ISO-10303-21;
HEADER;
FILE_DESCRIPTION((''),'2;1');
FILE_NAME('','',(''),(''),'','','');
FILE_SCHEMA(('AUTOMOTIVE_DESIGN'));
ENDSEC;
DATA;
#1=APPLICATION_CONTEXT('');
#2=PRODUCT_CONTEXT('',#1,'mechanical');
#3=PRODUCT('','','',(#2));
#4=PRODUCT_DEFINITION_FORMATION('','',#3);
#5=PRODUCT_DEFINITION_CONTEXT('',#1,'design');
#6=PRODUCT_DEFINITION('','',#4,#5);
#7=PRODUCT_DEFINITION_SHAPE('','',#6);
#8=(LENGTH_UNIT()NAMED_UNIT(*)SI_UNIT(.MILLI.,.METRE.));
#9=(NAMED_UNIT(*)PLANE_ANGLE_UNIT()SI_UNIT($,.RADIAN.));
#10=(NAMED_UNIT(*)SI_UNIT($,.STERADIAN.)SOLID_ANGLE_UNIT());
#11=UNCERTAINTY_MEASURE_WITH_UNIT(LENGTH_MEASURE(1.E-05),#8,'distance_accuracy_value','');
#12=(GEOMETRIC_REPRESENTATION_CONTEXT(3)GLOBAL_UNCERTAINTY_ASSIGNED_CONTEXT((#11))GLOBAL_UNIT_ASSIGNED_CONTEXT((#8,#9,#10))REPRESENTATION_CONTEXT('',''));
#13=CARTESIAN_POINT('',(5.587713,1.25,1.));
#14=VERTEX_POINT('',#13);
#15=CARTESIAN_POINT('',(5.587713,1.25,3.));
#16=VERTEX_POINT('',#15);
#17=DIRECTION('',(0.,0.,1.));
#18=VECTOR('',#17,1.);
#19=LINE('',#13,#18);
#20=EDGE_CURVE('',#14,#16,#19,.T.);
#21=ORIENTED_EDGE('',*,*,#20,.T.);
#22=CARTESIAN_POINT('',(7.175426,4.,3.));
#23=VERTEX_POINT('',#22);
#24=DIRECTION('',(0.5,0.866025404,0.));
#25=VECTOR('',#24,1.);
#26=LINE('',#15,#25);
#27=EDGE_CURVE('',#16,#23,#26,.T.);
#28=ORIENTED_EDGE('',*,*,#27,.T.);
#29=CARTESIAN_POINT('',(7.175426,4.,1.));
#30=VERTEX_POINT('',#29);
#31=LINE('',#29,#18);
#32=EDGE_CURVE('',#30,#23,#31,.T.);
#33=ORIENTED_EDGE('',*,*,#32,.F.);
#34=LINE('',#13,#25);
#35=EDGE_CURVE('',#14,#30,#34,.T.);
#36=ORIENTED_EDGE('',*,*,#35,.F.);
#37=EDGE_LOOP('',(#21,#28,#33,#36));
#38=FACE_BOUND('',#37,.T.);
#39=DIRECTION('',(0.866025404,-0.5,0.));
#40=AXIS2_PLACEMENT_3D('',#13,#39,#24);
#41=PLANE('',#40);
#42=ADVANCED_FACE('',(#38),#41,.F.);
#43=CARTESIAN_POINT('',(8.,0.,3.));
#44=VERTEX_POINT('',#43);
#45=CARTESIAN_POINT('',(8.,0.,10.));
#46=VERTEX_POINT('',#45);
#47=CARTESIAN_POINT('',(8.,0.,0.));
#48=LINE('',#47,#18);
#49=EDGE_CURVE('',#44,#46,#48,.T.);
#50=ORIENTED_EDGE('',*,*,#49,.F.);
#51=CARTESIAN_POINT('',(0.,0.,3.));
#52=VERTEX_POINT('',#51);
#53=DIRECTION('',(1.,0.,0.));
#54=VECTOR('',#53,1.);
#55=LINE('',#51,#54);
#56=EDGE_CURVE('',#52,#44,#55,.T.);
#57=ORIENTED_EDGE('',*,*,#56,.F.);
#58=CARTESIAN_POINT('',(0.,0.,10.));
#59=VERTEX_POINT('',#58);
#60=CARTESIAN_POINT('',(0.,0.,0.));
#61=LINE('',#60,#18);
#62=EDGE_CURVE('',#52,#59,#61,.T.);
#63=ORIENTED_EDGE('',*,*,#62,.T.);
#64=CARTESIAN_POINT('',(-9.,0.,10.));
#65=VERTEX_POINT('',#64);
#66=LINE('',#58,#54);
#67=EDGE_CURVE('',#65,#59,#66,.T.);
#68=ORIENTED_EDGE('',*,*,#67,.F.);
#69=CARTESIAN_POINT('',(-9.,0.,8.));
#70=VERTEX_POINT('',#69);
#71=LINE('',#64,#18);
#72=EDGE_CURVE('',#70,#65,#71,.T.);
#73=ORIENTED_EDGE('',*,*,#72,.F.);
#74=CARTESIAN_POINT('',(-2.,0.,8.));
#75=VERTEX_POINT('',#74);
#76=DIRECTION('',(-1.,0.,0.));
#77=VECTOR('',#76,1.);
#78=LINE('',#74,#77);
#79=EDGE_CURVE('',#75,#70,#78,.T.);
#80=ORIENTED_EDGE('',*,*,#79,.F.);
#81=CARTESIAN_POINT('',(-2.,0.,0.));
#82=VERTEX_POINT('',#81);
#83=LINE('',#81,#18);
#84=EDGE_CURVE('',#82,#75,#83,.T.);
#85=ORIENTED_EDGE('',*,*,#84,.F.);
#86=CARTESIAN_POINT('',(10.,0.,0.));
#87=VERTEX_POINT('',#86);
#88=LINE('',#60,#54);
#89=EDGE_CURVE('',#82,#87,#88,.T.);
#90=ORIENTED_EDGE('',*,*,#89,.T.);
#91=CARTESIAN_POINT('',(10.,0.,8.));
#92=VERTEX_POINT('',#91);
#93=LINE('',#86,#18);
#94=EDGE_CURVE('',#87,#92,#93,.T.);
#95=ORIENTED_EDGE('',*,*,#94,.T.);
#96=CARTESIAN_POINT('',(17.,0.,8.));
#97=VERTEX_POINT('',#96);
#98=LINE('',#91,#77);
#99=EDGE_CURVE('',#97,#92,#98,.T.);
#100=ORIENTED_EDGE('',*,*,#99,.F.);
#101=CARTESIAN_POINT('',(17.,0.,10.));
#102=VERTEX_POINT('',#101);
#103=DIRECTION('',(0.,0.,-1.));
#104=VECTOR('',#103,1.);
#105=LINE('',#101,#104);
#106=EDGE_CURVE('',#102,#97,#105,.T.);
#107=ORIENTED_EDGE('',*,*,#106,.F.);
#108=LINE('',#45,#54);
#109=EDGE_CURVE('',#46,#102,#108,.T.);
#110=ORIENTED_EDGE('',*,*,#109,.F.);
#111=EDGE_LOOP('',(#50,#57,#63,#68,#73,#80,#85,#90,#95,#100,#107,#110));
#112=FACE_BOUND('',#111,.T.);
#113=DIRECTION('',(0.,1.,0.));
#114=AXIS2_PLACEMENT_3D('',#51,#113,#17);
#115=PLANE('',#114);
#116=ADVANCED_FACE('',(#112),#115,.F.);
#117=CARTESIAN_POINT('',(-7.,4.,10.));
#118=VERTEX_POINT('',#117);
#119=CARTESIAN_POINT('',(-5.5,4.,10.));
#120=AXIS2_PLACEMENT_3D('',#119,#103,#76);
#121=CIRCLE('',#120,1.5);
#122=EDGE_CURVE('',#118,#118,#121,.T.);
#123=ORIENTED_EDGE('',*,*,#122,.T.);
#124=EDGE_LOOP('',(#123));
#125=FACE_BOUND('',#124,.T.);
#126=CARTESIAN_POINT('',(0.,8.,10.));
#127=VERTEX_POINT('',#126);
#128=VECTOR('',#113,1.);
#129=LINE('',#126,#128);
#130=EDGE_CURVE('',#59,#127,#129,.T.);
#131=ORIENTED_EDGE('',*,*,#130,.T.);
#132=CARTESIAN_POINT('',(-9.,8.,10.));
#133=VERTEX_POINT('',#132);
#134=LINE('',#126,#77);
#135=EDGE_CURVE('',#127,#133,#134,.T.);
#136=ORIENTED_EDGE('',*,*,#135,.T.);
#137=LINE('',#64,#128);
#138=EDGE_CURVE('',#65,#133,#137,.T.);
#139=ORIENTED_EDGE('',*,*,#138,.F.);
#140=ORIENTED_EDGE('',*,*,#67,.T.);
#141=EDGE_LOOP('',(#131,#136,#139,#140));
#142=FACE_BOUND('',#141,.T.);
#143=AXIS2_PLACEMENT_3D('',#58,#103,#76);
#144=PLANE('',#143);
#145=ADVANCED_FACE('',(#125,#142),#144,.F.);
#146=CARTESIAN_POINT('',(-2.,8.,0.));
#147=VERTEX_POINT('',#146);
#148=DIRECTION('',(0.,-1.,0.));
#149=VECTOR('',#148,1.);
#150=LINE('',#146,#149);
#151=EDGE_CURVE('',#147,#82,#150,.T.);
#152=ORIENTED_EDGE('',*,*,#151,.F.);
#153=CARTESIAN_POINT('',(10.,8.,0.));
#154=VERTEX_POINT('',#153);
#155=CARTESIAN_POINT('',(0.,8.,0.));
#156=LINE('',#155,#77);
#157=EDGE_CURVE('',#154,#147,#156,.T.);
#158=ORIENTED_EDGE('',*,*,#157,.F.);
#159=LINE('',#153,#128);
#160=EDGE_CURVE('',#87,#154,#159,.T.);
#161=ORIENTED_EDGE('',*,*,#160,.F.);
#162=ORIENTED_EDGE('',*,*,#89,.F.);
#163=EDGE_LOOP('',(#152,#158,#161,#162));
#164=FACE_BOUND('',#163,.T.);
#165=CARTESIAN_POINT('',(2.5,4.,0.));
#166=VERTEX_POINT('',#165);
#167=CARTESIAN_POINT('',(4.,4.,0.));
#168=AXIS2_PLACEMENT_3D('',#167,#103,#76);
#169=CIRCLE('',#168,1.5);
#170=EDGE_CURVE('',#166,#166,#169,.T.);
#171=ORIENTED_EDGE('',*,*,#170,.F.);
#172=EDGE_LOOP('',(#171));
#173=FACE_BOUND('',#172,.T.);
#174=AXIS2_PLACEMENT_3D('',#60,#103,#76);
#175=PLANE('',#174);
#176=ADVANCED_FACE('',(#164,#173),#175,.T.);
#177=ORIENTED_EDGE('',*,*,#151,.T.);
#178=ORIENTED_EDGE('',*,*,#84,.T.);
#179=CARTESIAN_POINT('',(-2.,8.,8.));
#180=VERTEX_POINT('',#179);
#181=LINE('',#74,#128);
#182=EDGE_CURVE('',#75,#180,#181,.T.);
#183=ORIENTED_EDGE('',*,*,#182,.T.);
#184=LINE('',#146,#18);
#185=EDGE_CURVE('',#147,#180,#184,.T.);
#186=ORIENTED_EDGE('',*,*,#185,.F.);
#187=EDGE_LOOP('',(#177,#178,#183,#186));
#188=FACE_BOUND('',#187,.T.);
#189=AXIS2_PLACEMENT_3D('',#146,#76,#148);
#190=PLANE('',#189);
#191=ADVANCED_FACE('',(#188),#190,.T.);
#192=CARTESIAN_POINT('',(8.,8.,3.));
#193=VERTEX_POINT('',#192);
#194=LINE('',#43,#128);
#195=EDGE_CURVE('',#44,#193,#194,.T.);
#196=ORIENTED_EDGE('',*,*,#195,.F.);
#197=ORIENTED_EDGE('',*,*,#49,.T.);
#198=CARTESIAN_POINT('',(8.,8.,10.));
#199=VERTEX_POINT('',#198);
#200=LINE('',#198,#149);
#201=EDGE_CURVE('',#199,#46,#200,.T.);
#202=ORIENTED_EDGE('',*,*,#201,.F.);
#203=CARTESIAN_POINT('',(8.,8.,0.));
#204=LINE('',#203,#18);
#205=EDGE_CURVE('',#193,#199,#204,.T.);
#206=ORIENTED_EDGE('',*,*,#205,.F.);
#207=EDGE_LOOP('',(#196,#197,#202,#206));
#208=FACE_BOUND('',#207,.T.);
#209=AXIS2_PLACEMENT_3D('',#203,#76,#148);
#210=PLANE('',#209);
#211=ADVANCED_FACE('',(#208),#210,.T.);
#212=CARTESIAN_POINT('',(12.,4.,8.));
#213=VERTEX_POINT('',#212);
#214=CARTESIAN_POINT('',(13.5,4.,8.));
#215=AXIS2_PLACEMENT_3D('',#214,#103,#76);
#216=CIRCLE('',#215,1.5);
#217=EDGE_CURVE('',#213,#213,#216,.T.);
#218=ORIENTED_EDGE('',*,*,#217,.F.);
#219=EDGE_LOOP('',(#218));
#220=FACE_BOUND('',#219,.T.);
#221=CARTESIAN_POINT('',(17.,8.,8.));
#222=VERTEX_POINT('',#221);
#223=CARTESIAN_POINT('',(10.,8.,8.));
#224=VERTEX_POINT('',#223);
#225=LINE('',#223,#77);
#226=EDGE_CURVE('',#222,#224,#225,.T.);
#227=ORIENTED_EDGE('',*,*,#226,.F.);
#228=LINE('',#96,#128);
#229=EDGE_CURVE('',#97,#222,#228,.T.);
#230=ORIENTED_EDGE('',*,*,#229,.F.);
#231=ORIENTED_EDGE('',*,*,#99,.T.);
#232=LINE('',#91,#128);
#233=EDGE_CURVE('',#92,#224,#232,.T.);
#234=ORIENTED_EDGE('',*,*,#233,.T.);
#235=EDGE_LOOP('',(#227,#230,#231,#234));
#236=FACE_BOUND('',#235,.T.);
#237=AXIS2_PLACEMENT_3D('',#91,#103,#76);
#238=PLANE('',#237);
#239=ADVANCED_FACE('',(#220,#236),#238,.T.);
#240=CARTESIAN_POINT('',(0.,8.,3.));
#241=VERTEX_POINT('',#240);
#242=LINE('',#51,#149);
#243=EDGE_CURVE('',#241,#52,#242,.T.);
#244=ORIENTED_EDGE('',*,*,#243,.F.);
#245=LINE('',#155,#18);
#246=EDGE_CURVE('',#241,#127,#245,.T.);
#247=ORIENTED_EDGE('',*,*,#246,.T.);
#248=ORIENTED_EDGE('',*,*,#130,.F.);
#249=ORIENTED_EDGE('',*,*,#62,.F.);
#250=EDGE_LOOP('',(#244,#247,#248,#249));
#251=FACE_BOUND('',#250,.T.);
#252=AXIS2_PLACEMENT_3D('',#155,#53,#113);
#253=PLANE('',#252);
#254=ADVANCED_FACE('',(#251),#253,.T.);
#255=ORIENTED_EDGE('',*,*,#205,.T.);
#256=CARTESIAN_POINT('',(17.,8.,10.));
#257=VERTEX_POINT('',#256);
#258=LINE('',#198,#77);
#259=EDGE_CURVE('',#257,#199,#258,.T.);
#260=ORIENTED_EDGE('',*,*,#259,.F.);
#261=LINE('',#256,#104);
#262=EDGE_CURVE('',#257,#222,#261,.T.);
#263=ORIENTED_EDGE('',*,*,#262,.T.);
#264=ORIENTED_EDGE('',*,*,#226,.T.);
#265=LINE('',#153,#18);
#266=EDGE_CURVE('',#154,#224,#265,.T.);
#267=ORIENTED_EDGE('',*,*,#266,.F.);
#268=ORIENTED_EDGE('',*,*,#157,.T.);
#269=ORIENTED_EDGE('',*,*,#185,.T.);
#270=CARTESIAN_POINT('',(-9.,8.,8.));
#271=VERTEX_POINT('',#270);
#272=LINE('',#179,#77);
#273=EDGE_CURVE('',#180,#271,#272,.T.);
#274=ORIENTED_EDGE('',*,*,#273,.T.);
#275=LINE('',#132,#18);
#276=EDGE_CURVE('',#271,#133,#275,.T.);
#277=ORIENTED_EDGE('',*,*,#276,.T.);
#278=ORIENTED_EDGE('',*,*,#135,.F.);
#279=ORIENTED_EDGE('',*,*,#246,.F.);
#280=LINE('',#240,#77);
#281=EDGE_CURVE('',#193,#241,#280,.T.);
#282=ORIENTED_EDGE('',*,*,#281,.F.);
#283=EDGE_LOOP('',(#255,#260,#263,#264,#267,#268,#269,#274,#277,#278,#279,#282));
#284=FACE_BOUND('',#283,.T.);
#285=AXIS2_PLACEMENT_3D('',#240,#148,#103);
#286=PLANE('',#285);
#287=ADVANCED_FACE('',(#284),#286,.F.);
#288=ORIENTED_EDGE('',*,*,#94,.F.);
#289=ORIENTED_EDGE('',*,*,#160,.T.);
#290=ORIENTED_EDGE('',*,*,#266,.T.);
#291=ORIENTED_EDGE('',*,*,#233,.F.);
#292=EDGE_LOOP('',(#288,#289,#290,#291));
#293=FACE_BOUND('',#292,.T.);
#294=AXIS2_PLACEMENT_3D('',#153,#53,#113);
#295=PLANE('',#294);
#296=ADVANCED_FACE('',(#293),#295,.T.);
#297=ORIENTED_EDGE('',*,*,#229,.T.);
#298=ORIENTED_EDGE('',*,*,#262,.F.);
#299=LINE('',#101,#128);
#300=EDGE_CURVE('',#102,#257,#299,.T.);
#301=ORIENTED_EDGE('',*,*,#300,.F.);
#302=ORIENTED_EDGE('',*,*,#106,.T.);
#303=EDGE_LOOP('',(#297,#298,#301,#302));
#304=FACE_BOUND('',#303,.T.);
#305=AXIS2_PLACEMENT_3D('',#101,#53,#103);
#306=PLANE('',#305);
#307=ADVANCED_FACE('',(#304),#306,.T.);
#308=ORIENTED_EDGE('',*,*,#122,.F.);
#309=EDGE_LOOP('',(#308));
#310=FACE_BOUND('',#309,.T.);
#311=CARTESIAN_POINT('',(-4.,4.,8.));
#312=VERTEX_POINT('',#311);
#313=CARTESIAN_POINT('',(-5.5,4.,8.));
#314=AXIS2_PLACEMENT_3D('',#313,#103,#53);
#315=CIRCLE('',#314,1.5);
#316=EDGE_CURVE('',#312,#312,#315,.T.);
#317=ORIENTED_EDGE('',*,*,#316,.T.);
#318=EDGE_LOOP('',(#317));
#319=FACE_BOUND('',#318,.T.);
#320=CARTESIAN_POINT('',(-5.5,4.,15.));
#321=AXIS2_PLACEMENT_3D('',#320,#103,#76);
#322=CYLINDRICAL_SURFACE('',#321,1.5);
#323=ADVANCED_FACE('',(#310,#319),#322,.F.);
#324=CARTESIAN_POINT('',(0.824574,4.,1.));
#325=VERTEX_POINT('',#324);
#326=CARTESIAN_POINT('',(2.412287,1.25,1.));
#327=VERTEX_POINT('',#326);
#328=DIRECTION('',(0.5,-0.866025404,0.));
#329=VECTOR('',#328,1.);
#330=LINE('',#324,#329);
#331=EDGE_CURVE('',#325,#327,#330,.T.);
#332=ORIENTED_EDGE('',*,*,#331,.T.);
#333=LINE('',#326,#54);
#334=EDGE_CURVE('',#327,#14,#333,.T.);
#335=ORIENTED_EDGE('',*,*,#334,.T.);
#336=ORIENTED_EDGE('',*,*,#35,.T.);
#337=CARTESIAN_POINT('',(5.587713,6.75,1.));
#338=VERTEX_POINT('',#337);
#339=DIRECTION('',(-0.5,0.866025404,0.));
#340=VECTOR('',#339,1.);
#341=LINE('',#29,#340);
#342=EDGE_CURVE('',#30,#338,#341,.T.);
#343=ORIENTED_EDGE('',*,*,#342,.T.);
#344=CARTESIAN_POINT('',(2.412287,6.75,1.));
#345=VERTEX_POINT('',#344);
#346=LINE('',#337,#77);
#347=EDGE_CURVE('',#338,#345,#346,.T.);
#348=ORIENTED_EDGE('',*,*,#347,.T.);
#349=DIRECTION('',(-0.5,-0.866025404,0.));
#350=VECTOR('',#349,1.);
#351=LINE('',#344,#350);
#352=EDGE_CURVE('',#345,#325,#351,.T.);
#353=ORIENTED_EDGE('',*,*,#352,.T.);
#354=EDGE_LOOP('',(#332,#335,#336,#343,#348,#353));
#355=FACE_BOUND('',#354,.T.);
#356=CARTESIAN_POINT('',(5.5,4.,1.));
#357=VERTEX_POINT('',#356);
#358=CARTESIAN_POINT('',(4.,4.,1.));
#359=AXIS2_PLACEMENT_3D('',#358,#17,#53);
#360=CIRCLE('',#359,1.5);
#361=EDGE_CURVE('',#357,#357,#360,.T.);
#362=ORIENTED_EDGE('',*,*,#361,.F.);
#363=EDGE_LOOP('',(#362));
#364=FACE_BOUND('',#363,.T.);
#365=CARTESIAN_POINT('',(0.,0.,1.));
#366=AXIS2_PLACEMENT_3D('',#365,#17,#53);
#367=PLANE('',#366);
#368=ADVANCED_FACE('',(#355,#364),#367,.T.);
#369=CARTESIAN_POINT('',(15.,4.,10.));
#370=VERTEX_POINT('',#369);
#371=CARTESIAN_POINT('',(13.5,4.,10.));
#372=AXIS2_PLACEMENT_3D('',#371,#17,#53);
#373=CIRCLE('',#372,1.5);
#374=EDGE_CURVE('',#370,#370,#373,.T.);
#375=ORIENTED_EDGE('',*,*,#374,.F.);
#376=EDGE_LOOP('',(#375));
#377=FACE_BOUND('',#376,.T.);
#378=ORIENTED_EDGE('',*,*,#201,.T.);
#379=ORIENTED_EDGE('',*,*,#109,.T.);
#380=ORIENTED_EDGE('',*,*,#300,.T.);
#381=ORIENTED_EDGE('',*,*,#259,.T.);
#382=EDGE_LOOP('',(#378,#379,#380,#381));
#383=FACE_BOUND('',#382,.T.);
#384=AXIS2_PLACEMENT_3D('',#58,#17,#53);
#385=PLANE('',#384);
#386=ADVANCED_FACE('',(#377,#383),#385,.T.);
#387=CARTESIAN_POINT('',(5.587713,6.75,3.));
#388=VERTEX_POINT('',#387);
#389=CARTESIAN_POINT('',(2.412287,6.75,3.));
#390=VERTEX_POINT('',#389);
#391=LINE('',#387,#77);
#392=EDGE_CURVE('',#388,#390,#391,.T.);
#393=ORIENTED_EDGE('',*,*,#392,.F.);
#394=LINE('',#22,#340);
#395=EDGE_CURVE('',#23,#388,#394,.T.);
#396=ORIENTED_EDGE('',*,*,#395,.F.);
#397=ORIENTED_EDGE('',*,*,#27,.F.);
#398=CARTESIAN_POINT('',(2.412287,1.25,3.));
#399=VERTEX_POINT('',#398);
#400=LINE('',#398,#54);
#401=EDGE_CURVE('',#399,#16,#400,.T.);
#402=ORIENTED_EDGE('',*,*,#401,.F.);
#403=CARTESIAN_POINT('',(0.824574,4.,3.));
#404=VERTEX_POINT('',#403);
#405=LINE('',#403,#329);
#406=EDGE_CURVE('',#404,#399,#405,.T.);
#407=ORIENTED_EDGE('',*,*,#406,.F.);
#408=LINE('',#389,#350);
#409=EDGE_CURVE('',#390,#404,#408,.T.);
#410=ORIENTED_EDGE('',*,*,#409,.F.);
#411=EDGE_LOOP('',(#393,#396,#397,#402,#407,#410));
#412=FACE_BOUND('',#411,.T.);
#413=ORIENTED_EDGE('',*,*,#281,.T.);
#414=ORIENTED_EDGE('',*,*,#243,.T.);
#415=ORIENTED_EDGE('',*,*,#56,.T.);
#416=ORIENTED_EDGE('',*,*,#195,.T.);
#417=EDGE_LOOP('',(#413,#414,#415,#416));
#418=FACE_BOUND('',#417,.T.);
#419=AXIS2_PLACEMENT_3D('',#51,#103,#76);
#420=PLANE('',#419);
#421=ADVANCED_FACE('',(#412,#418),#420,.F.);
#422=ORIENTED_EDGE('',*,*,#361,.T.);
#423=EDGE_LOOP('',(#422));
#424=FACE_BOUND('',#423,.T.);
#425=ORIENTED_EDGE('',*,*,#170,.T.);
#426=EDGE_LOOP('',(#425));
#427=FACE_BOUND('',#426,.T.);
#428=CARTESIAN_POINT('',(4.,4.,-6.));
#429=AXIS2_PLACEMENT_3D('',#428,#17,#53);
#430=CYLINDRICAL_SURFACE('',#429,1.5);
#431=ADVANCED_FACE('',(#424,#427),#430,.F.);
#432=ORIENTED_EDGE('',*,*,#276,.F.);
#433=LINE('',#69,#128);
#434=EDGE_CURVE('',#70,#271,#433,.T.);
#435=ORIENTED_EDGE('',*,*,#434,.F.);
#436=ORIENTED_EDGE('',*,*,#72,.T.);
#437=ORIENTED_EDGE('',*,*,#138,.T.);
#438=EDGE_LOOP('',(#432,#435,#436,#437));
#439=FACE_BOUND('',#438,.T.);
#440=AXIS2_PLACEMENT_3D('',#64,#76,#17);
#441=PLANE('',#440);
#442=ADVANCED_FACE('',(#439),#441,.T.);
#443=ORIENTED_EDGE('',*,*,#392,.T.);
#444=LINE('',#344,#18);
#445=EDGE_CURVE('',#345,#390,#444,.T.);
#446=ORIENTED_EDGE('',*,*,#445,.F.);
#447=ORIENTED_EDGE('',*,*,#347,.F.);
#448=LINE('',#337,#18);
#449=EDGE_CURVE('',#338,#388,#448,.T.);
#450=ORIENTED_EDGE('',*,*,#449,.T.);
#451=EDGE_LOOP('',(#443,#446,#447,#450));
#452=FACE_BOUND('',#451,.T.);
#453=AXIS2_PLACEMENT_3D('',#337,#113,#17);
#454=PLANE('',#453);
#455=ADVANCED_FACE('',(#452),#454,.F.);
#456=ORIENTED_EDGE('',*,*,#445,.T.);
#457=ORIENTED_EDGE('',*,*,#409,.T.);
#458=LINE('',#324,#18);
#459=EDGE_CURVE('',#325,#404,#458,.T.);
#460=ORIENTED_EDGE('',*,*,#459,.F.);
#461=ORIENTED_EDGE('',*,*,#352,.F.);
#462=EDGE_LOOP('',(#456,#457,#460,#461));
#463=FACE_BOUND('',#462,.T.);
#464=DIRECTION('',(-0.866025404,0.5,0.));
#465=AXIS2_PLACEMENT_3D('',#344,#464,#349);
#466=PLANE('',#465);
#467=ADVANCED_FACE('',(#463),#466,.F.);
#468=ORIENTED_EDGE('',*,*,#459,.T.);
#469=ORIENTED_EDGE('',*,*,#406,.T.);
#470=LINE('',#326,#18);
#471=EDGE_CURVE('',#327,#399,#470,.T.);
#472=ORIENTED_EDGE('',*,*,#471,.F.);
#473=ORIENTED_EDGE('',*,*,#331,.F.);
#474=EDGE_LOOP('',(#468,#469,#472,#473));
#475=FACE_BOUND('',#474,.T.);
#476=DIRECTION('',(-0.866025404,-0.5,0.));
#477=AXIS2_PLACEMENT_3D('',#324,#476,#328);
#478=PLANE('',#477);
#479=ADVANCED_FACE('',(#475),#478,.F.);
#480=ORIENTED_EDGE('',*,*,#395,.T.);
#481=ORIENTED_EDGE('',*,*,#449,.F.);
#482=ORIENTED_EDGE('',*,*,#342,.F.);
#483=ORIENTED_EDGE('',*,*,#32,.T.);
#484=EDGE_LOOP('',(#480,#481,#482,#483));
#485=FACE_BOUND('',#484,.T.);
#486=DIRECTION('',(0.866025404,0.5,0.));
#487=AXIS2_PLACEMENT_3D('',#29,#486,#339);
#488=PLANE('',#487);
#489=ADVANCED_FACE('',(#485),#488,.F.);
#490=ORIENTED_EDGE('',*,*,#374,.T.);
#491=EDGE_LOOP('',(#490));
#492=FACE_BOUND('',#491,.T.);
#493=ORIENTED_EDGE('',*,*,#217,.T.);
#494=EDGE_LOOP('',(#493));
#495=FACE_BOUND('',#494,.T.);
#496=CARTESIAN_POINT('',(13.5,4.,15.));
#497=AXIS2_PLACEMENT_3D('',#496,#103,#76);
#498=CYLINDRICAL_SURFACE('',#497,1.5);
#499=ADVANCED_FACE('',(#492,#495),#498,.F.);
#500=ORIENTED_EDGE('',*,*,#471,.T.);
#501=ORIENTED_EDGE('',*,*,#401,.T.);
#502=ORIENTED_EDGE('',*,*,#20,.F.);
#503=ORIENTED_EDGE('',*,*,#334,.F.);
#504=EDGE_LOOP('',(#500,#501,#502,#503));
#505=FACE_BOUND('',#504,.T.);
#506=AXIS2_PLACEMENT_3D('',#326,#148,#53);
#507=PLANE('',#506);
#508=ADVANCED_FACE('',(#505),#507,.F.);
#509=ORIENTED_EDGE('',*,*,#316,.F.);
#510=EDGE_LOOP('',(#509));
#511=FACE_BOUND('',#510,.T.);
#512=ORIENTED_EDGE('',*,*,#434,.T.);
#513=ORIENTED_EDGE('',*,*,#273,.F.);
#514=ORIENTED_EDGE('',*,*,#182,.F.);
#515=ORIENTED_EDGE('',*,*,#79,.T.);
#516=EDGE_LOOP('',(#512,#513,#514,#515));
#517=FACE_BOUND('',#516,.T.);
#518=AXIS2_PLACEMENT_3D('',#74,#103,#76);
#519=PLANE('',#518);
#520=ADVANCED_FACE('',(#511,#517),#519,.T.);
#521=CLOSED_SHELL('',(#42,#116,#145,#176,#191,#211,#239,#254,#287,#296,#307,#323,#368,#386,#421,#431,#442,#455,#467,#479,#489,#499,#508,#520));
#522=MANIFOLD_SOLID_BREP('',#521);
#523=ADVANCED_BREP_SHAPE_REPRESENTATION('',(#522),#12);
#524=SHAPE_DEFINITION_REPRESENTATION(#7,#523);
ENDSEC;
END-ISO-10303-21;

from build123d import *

# Parameters (mm, degrees)
IZIM1_W                          = 8
IZIM1_H                          = 8
Y_KSEKLIK_EKSTR_ZYON1_DEPTH      = 3
KES_EKSTR_ZYON1_DEPTH            = 2
Y_KSEKLIK_EKSTR_ZYON2_DEPTH      = 7
Y_KSEKLIK_EKSTR_ZYON2_DEPTH_BACK = 3
IZIM3_W                          = 2
IZIM3_H                          = 8
IZIM4_W                          = 7
IZIM4_H                          = 2
Y_KSEKLIK_EKSTR_ZYON3_DEPTH      = 8
IZIM5_R                          = 1.5
KES_EKSTR_ZYON2_DEPTH            = 7
IZIM7_R                          = 1.5
KES_EKSTR_ZYON3_DEPTH            = 7


with BuildPart() as part:
    # Çizim1 → Yükseklik-Ekstrüzyon1 (new body)
    with BuildSketch(Plane.XY):
        with Locations((4, 4)):
            Rectangle(IZIM1_W, IZIM1_H)
    extrude(amount=Y_KSEKLIK_EKSTR_ZYON1_DEPTH)

    # Çizim2 → Kes-Ekstrüzyon1 (cut)
    with BuildSketch(Plane.XY.offset(3)):
        Polygon((5.58771324, 6.75), (2.41228676, 6.75), (0.824573519, 4), (2.41228676, 1.25), (5.58771324, 1.25), (7.175426481, 4), align=None)
    extrude(amount=-KES_EKSTR_ZYON1_DEPTH, mode=Mode.SUBTRACT)

    # Çizim3 → Yükseklik-Ekstrüzyon2 (add, two sides: drawn at the far end of the back side and taken through both)
    with BuildSketch(Plane.XY.offset(3).offset(-Y_KSEKLIK_EKSTR_ZYON2_DEPTH_BACK)):
        with Locations((-1, 4)):
            Rectangle(IZIM3_W, IZIM3_H)
        with Locations((9, 4)):
            Rectangle(IZIM3_W, IZIM3_H)
    extrude(amount=Y_KSEKLIK_EKSTR_ZYON2_DEPTH + Y_KSEKLIK_EKSTR_ZYON2_DEPTH_BACK)

    # Çizim4 → Yükseklik-Ekstrüzyon3 (add)
    with BuildSketch(Plane(origin=(0, 8, 0), x_dir=(1, 0, 0), z_dir=(0, 1, 0))):
        with Locations((-5.5, -9)):
            Rectangle(IZIM4_W, IZIM4_H)
        with Locations((13.5, -9)):
            Rectangle(IZIM4_W, IZIM4_H)
    extrude(amount=-Y_KSEKLIK_EKSTR_ZYON3_DEPTH)

    # Çizim5 → Kes-Ekstrüzyon2 (cut)
    with BuildSketch(Plane.XY.offset(1)):
        with Locations((4, 4)):
            Circle(IZIM5_R)
    extrude(amount=-KES_EKSTR_ZYON2_DEPTH, mode=Mode.SUBTRACT)

    # Çizim7 → Kes-Ekstrüzyon3 (cut)
    with BuildSketch(Plane(origin=(0, 0, 8), x_dir=(-1, 0, 0), z_dir=(0, 0, -1))):
        with Locations((-13.5, 4)):
            Circle(IZIM7_R)
        with Locations((5.5, 4)):
            Circle(IZIM7_R)
    extrude(amount=-KES_EKSTR_ZYON3_DEPTH, mode=Mode.SUBTRACT)


solid = part.part
